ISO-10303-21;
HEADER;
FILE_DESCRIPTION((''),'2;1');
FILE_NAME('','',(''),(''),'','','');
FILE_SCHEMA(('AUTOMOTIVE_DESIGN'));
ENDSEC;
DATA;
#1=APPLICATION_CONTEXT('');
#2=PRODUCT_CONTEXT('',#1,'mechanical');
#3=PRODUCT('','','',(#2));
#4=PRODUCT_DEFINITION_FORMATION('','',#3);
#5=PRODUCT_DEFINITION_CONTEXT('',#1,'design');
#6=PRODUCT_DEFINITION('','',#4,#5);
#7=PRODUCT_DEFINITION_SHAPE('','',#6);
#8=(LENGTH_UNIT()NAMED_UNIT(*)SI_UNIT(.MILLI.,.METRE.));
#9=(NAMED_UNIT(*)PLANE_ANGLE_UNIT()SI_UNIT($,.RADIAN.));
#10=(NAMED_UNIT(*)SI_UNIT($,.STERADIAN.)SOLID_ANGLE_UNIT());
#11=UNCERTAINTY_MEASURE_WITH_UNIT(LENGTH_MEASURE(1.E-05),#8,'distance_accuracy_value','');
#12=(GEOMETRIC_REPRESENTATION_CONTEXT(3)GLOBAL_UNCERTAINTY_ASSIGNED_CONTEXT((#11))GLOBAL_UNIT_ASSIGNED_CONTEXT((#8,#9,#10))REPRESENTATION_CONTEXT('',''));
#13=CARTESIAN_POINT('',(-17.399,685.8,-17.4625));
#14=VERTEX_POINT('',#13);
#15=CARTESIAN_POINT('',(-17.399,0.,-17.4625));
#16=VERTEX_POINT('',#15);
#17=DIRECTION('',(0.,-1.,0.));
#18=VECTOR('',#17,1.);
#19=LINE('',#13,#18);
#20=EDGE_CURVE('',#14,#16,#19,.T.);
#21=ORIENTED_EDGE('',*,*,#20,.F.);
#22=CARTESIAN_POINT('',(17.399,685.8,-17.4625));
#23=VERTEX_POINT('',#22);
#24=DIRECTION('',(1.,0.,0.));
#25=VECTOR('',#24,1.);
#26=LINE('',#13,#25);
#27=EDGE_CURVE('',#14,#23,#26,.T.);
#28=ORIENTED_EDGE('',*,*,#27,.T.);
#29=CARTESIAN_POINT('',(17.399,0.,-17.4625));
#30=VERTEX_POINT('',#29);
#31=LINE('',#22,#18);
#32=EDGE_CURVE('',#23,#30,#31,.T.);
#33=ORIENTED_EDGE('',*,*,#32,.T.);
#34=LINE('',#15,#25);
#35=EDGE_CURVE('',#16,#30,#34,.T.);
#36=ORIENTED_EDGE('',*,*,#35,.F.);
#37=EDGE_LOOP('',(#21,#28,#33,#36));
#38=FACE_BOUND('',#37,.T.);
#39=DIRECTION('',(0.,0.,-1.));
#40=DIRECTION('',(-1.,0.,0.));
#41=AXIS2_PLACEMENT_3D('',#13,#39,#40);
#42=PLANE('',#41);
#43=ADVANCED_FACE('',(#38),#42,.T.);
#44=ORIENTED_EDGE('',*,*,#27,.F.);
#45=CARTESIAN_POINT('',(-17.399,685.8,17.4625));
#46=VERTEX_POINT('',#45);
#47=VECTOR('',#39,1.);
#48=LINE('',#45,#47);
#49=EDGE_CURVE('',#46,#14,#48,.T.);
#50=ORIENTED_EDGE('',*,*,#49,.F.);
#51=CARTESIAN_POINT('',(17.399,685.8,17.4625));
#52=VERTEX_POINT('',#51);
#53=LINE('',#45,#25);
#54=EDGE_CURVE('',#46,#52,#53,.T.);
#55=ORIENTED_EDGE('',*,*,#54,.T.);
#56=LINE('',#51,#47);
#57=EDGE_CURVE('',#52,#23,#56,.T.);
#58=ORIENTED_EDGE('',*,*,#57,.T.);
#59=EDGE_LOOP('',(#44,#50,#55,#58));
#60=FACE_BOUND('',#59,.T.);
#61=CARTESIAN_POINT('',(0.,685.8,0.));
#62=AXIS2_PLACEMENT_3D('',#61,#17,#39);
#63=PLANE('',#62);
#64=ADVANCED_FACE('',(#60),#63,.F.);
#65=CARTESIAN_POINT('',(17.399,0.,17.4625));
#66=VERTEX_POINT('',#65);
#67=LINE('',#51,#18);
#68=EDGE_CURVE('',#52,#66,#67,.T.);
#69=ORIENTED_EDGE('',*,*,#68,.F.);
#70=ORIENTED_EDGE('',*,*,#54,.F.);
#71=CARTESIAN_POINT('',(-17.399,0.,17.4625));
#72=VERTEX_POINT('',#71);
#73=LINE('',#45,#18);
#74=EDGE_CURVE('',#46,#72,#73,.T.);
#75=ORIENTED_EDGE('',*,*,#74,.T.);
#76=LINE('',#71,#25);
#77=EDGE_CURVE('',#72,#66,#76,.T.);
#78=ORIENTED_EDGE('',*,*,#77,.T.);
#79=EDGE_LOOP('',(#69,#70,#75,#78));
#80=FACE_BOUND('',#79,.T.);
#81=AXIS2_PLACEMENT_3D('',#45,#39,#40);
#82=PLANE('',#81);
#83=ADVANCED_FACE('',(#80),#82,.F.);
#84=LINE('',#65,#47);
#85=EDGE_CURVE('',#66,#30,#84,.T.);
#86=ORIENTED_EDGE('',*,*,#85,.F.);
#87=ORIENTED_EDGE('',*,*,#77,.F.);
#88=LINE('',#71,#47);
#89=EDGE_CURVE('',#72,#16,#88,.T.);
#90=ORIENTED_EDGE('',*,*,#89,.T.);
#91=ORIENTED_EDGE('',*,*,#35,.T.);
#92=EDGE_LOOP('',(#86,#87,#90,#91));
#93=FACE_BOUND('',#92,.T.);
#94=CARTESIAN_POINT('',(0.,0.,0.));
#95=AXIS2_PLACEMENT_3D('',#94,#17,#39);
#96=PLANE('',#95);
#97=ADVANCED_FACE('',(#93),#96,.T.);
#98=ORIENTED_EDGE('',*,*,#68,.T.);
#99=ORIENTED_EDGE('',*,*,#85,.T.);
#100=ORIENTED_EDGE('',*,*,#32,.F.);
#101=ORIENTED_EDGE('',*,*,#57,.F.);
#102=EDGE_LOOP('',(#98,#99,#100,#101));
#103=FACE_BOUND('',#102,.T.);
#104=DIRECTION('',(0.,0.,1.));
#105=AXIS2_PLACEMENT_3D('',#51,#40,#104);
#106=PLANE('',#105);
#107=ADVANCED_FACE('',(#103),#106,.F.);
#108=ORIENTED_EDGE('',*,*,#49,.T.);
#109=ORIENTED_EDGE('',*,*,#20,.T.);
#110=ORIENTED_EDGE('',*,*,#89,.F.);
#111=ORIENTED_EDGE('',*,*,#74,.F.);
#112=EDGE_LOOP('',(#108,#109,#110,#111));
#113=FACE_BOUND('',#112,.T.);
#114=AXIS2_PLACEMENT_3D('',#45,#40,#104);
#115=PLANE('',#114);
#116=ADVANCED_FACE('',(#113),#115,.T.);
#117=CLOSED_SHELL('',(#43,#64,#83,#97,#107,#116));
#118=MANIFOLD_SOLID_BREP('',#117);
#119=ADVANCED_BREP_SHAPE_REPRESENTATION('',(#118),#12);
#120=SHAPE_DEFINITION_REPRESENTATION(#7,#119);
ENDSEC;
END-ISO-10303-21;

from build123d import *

# Parameters (mm, degrees)
SKETCH1_W           = 34.798
SKETCH1_H           = 34.925
BOSS_EXTRUDE1_DEPTH = 685.8


with BuildPart() as part:
    # Sketch1 → Boss-Extrude1 (new body)
    with BuildSketch(Plane(origin=(0, 0, 0), x_dir=(1, 0, 0), z_dir=(0, 1, 0))):
        Rectangle(SKETCH1_W, SKETCH1_H)
    extrude(amount=BOSS_EXTRUDE1_DEPTH)


solid = part.part
